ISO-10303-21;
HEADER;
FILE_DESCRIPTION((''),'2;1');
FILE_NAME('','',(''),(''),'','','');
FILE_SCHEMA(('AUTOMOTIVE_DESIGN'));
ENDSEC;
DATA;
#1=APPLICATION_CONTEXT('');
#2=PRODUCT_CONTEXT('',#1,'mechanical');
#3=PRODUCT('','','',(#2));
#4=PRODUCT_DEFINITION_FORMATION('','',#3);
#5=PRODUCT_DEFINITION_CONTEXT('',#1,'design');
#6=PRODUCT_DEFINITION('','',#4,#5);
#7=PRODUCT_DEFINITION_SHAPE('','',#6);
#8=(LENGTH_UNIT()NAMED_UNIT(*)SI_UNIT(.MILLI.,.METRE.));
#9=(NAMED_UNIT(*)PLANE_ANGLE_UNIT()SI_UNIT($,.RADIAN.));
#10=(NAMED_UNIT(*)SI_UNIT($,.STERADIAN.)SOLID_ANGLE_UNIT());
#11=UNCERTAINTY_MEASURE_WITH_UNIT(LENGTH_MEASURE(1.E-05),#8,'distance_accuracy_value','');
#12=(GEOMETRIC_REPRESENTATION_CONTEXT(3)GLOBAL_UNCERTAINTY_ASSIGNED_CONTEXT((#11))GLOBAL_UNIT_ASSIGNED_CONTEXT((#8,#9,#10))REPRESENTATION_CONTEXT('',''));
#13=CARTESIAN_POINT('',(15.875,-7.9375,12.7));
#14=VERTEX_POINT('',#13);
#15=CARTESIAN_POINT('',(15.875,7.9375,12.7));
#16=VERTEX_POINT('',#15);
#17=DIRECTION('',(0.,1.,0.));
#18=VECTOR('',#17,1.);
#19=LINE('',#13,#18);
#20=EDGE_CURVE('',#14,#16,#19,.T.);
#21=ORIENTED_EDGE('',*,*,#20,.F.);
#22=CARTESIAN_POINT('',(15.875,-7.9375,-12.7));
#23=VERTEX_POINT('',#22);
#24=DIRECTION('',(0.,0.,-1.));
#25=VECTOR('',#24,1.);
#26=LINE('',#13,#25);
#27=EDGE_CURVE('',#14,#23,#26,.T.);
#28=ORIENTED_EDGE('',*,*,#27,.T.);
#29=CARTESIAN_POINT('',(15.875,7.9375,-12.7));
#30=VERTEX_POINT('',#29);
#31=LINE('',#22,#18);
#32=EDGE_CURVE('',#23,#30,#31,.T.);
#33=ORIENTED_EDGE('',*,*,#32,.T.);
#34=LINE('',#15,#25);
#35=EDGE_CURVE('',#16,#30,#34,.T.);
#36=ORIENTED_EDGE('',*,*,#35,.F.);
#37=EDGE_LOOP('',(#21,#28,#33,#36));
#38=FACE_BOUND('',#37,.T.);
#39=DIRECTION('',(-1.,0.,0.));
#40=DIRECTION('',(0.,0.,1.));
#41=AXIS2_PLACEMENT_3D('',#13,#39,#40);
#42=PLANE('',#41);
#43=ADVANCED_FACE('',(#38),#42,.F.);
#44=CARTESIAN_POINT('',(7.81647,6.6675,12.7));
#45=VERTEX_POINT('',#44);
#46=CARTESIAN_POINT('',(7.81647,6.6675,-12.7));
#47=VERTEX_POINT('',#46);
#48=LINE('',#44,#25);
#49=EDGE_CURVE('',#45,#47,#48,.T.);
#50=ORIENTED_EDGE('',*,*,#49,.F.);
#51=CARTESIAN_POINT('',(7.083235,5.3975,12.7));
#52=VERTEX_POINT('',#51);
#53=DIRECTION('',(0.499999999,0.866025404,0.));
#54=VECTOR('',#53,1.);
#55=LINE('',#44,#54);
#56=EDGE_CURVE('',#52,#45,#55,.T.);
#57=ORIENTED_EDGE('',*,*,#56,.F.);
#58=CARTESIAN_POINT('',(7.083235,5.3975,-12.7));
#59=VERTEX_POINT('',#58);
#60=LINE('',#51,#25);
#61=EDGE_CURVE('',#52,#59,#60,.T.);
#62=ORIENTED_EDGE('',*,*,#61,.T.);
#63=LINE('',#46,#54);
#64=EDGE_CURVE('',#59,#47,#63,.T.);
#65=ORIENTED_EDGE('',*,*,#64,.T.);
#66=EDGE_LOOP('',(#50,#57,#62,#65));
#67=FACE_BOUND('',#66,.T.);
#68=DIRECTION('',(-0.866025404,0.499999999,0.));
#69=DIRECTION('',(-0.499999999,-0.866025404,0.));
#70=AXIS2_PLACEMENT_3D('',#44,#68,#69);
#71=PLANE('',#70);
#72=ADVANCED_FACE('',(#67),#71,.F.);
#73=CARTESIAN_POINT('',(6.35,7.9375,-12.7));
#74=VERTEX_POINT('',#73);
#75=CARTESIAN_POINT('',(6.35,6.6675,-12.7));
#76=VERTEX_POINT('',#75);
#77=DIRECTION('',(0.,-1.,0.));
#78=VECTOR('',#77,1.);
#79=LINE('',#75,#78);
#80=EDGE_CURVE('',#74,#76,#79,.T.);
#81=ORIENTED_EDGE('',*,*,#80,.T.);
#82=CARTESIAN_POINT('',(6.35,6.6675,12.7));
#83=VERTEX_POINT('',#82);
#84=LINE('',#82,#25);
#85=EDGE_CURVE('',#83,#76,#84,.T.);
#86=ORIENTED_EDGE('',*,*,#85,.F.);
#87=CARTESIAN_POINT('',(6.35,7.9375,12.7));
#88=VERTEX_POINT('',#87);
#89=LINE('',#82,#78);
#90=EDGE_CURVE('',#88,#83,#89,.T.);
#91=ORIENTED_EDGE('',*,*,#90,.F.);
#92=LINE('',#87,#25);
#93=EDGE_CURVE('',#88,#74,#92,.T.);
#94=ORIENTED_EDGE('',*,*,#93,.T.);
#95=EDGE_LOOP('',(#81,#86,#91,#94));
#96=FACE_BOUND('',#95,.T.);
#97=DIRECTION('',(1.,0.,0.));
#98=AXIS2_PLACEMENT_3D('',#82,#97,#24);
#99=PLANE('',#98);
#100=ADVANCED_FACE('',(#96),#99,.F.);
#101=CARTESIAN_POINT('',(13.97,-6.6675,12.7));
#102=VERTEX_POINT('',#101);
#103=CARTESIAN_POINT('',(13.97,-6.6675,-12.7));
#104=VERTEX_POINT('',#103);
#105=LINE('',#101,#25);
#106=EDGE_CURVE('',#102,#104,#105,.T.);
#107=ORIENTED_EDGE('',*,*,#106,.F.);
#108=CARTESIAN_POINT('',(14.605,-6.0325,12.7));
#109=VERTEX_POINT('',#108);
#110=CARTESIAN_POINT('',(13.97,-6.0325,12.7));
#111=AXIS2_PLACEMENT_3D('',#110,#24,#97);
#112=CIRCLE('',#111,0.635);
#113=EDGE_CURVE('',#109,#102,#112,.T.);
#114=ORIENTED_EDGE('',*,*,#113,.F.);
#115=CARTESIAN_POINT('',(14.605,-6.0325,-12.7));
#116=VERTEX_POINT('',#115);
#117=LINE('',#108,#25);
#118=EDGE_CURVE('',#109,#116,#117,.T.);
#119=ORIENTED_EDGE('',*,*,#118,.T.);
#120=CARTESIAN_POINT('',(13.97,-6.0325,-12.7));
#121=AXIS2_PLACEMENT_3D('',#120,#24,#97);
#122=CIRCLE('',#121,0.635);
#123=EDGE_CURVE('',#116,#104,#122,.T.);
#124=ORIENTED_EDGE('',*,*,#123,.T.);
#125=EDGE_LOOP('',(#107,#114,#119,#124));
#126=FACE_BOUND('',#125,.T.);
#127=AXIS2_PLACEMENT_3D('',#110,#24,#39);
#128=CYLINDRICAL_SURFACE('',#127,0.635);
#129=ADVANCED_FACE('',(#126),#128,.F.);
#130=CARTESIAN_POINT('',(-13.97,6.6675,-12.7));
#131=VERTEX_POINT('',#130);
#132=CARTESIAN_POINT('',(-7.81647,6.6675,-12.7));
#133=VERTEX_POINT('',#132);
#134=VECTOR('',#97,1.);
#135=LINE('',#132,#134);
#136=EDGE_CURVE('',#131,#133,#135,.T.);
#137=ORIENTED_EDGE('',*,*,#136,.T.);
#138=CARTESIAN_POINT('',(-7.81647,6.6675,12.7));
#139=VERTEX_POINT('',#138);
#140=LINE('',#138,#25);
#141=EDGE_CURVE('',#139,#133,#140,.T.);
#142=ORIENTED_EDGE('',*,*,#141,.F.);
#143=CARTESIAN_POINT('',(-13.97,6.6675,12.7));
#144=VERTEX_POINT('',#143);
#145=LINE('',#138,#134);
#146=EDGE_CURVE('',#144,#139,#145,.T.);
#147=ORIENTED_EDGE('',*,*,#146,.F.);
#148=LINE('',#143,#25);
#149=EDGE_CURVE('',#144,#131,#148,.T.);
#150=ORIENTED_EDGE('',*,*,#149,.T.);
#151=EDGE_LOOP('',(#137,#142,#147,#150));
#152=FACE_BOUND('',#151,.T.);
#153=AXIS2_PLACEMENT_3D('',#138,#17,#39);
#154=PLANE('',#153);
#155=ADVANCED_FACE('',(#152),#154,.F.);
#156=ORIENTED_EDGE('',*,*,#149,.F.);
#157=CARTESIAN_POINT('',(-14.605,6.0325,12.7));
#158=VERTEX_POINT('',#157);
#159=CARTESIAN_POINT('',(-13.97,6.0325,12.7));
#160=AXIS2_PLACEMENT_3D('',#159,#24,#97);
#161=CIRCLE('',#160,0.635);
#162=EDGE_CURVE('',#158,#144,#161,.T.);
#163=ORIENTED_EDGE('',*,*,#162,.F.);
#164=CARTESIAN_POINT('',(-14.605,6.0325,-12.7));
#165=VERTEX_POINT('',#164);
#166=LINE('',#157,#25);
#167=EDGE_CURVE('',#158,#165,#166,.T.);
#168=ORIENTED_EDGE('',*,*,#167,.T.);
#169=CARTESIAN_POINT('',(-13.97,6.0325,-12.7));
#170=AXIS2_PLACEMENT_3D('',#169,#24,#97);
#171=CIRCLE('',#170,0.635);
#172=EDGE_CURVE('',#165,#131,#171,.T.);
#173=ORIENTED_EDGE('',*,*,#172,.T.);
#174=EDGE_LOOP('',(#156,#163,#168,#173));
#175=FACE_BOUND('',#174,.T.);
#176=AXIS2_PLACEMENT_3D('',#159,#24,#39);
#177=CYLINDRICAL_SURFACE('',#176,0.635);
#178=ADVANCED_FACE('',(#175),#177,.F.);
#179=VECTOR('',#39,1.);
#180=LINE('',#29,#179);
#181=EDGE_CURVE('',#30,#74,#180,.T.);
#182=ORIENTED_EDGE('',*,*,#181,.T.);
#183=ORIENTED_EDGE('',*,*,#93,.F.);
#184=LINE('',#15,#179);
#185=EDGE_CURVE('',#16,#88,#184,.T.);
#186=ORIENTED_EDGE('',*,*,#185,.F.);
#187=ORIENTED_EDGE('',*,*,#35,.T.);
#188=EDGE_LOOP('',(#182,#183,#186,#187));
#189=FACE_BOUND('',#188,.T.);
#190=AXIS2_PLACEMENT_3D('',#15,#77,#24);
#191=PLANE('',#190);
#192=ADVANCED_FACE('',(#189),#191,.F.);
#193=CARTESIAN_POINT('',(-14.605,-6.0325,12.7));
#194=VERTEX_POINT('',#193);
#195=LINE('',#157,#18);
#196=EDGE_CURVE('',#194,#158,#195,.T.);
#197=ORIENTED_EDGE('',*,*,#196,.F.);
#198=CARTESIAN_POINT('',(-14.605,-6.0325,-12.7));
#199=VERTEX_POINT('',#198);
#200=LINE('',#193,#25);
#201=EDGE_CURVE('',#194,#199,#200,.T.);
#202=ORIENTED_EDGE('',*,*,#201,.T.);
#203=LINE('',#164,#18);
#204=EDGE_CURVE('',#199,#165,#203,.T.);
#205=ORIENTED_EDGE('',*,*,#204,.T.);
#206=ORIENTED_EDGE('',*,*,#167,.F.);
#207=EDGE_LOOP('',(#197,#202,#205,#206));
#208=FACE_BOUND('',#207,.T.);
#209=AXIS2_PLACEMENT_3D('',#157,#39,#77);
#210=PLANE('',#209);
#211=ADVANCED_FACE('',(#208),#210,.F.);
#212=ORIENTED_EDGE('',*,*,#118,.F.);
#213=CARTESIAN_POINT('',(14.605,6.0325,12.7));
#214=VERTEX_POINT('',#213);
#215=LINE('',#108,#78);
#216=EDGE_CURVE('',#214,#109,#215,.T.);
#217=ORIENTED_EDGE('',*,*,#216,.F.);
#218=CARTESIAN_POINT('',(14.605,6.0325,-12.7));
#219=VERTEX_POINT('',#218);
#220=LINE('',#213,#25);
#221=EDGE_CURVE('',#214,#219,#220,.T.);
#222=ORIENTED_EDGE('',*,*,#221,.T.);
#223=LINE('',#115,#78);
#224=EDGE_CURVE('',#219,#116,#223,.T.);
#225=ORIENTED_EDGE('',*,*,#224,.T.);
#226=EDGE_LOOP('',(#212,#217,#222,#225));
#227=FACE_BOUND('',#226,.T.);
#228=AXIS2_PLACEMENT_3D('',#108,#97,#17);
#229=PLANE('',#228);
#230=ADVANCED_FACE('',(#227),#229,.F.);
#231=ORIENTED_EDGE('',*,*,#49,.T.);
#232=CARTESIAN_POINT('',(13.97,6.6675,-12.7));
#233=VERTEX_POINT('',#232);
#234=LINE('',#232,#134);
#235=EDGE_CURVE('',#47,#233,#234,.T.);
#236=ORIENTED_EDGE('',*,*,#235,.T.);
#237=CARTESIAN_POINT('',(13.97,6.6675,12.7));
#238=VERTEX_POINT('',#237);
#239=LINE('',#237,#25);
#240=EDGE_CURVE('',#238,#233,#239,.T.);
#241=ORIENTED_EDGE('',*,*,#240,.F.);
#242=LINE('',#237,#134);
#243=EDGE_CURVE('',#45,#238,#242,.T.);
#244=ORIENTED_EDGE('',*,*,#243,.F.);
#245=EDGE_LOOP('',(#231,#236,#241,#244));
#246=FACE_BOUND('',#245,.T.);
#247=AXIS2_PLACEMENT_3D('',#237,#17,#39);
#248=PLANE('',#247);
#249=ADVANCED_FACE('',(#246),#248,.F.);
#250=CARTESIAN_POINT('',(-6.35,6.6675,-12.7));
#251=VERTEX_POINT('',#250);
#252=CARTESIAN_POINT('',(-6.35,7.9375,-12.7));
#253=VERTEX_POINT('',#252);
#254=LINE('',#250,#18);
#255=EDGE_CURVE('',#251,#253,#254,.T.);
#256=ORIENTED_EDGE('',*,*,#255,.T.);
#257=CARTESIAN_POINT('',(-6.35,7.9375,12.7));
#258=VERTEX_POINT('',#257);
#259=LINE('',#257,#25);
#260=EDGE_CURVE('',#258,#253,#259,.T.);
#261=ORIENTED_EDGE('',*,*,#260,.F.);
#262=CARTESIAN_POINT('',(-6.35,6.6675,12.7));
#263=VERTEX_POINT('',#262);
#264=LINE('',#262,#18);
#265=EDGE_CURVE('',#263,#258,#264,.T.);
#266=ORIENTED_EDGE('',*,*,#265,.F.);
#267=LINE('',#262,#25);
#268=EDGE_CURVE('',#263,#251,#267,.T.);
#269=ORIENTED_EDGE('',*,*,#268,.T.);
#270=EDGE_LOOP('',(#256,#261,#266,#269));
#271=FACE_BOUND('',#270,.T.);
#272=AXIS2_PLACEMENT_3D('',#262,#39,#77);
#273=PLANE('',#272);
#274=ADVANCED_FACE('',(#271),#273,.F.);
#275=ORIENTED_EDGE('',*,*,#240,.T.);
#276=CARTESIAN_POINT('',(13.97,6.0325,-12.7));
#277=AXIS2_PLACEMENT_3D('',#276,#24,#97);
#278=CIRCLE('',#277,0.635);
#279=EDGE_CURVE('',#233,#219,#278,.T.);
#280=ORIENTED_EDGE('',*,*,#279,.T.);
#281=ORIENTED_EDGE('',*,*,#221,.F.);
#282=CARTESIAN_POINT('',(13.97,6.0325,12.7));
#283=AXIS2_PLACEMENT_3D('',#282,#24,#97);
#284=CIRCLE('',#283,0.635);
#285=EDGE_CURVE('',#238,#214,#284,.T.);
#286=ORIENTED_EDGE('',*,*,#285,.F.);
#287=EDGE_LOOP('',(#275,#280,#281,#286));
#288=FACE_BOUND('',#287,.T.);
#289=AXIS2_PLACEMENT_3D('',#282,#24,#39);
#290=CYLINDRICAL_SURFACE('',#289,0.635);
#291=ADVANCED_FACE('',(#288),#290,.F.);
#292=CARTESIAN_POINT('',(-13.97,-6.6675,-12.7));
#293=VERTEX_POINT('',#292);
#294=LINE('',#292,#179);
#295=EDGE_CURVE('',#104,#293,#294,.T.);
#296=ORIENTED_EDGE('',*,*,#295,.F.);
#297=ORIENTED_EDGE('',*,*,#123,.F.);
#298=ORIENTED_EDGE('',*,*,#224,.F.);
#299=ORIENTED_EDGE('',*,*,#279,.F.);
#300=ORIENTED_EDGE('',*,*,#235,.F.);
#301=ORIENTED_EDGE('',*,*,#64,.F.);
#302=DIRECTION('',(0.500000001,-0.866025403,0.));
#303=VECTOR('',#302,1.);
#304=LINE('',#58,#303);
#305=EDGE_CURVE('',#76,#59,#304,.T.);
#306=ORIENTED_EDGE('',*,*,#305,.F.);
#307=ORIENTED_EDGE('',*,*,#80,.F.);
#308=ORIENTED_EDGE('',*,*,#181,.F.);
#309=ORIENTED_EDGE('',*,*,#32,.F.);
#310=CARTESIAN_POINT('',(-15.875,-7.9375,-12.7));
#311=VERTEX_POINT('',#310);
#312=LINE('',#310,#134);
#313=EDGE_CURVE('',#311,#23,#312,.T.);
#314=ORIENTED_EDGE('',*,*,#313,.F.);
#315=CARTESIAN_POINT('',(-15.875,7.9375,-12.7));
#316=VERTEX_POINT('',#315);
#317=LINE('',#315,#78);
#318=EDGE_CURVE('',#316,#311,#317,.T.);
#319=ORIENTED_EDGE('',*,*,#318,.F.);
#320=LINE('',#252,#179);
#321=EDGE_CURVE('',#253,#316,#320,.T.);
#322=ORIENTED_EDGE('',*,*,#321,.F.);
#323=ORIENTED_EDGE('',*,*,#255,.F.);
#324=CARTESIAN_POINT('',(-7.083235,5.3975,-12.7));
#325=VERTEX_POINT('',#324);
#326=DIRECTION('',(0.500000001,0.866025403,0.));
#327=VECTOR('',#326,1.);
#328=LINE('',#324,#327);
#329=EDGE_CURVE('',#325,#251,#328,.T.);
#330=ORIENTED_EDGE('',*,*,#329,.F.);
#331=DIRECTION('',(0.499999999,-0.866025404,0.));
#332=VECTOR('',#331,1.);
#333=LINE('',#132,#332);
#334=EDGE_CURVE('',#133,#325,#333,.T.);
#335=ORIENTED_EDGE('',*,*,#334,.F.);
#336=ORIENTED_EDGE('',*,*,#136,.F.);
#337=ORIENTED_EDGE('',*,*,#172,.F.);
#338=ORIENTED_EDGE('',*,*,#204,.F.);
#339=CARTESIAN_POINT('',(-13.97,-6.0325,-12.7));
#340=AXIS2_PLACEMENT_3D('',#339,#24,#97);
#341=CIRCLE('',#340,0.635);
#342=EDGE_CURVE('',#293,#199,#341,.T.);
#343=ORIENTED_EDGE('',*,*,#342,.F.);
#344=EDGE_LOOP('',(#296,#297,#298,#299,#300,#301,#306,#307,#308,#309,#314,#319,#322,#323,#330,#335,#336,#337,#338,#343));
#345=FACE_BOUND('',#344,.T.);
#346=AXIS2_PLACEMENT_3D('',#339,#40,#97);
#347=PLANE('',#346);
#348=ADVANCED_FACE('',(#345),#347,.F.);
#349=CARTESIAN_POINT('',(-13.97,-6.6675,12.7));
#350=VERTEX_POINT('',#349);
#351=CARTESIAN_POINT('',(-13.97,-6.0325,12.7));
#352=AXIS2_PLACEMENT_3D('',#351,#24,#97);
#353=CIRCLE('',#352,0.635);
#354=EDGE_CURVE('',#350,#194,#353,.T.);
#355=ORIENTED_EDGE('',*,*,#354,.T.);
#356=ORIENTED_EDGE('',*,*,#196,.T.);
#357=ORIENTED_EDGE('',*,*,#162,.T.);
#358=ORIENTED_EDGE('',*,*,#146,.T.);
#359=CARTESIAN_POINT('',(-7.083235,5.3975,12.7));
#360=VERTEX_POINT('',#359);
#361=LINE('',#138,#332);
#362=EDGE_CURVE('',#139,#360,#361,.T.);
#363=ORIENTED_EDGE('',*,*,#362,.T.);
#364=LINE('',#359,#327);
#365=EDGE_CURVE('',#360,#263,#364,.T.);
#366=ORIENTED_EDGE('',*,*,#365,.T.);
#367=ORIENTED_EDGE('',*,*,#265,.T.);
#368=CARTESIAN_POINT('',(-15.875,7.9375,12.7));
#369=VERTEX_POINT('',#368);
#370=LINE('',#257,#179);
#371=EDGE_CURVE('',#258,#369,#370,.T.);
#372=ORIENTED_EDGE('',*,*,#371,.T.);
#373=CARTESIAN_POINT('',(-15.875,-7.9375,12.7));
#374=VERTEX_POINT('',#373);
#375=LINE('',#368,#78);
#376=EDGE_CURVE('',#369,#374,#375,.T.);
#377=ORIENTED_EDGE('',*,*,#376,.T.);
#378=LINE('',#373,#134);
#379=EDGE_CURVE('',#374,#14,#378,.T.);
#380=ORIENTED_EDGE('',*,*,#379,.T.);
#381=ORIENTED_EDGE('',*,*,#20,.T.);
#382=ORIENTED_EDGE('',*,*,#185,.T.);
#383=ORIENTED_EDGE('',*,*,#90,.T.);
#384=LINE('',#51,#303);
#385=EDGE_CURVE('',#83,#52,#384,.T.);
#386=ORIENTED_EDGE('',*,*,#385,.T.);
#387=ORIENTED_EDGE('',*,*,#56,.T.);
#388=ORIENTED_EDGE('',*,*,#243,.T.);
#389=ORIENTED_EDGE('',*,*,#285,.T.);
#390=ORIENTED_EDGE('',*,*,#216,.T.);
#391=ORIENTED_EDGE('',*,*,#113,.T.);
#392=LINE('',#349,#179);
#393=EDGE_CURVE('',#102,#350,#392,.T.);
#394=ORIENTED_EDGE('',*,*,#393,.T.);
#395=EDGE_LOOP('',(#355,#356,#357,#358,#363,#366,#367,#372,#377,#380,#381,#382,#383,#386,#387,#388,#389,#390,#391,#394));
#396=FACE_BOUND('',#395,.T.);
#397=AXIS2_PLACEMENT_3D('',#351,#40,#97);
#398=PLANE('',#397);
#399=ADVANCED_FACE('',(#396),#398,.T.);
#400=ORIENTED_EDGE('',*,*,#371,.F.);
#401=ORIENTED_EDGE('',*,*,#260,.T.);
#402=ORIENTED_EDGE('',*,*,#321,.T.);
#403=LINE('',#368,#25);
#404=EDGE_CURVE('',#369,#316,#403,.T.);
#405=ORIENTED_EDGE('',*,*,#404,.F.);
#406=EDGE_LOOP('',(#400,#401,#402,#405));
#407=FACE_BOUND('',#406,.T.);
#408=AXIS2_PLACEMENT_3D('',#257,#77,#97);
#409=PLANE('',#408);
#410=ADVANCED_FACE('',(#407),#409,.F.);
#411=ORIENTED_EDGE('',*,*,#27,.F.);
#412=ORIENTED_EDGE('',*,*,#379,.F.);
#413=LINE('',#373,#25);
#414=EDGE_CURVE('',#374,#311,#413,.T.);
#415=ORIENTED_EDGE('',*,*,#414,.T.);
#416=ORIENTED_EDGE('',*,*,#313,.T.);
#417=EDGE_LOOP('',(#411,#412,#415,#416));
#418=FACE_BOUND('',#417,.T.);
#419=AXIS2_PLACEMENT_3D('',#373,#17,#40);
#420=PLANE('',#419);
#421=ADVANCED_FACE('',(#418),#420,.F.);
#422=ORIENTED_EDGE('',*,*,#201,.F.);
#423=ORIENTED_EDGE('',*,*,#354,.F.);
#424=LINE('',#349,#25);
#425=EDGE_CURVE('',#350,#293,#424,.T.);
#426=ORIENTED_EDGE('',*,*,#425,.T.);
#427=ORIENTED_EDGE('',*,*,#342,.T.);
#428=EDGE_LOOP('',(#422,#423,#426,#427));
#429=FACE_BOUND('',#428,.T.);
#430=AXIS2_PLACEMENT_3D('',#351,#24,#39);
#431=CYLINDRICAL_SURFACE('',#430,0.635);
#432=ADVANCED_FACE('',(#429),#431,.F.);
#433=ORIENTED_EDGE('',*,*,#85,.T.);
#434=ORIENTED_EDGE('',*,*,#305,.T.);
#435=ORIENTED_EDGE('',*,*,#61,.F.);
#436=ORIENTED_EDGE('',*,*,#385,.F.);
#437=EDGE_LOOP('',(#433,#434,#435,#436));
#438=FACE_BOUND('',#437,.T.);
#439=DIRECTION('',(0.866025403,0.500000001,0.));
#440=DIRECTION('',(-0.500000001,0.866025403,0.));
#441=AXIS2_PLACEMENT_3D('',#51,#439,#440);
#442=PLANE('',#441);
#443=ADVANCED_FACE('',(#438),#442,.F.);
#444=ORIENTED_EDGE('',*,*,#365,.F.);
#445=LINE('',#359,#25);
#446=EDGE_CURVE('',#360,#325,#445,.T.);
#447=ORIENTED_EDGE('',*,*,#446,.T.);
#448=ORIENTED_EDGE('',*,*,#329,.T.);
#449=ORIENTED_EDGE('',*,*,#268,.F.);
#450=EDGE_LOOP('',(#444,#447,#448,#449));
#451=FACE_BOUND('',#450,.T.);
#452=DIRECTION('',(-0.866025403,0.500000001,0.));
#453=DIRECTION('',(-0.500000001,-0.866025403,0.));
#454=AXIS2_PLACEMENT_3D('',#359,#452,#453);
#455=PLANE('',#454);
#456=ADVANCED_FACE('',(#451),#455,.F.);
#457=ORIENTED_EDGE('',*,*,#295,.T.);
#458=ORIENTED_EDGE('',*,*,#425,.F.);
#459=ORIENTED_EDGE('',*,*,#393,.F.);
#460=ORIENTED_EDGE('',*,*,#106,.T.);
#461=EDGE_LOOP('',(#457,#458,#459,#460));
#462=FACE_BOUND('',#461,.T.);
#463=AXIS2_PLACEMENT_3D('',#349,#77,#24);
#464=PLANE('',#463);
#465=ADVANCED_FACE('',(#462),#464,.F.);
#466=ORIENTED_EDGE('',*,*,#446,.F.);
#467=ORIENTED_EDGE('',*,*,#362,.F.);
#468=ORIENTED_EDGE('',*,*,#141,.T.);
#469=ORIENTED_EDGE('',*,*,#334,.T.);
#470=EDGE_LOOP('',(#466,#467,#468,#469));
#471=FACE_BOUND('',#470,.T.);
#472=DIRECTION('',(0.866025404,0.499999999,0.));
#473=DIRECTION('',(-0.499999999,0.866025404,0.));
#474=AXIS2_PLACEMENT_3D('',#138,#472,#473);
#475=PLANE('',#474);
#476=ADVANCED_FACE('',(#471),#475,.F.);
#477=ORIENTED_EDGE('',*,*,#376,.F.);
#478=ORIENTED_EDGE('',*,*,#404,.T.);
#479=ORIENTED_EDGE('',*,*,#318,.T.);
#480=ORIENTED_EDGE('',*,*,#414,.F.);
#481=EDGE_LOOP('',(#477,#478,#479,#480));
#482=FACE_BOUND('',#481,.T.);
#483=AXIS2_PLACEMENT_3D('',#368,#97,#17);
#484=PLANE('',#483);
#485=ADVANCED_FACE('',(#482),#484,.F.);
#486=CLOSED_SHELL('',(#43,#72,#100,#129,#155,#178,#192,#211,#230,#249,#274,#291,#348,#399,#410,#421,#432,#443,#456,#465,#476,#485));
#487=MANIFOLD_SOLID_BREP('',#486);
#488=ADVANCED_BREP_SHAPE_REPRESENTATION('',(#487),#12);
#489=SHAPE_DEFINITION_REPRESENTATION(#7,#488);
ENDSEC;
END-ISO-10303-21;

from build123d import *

# Parameters (mm, degrees)
BASE_EXTRUDE_DEPTH = 12.7


with BuildPart() as part:
    # Sketch1 → Base-Extrude (new, symmetric)
    with BuildSketch(Plane.XY):
        with BuildLine():
            Line((-6.35, 7.9375), (-15.875, 7.9375))
            Line((-15.875, 7.9375), (-15.875, -7.9375))
            Line((-15.875, -7.9375), (15.875, -7.9375))
            Line((15.875, -7.9375), (15.875, 7.9375))
            Line((15.875, 7.9375), (6.35, 7.9375))
            Line((6.35, 7.9375), (6.35, 6.6675))
            Line((6.35, 6.6675), (7.083234843, 5.3975))
            Line((7.083234843, 5.3975), (7.816469684, 6.6675))
            Line((7.816469684, 6.6675), (13.97, 6.6675))
            ThreePointArc((13.97, 6.6675), (14.419012806, 6.481512806), (14.605, 6.0325))
            Line((14.605, 6.0325), (14.605, -6.0325))
            ThreePointArc((14.605, -6.0325), (14.419012806, -6.481512806), (13.97, -6.6675))
            Line((13.97, -6.6675), (-13.97, -6.6675))
            ThreePointArc((-13.97, -6.6675), (-14.419012806, -6.481512806), (-14.605, -6.0325))
            Line((-14.605, -6.0325), (-14.605, 6.0325))
            ThreePointArc((-14.605, 6.0325), (-14.419012806, 6.481512806), (-13.97, 6.6675))
            Line((-13.97, 6.6675), (-7.816469684, 6.6675))
            Line((-7.816469684, 6.6675), (-7.083234843, 5.3975))
            Line((-7.083234843, 5.3975), (-6.35, 6.6675))
            Line((-6.35, 6.6675), (-6.35, 7.9375))
        make_face()
    extrude(amount=BASE_EXTRUDE_DEPTH, both=True)


solid = part.part
